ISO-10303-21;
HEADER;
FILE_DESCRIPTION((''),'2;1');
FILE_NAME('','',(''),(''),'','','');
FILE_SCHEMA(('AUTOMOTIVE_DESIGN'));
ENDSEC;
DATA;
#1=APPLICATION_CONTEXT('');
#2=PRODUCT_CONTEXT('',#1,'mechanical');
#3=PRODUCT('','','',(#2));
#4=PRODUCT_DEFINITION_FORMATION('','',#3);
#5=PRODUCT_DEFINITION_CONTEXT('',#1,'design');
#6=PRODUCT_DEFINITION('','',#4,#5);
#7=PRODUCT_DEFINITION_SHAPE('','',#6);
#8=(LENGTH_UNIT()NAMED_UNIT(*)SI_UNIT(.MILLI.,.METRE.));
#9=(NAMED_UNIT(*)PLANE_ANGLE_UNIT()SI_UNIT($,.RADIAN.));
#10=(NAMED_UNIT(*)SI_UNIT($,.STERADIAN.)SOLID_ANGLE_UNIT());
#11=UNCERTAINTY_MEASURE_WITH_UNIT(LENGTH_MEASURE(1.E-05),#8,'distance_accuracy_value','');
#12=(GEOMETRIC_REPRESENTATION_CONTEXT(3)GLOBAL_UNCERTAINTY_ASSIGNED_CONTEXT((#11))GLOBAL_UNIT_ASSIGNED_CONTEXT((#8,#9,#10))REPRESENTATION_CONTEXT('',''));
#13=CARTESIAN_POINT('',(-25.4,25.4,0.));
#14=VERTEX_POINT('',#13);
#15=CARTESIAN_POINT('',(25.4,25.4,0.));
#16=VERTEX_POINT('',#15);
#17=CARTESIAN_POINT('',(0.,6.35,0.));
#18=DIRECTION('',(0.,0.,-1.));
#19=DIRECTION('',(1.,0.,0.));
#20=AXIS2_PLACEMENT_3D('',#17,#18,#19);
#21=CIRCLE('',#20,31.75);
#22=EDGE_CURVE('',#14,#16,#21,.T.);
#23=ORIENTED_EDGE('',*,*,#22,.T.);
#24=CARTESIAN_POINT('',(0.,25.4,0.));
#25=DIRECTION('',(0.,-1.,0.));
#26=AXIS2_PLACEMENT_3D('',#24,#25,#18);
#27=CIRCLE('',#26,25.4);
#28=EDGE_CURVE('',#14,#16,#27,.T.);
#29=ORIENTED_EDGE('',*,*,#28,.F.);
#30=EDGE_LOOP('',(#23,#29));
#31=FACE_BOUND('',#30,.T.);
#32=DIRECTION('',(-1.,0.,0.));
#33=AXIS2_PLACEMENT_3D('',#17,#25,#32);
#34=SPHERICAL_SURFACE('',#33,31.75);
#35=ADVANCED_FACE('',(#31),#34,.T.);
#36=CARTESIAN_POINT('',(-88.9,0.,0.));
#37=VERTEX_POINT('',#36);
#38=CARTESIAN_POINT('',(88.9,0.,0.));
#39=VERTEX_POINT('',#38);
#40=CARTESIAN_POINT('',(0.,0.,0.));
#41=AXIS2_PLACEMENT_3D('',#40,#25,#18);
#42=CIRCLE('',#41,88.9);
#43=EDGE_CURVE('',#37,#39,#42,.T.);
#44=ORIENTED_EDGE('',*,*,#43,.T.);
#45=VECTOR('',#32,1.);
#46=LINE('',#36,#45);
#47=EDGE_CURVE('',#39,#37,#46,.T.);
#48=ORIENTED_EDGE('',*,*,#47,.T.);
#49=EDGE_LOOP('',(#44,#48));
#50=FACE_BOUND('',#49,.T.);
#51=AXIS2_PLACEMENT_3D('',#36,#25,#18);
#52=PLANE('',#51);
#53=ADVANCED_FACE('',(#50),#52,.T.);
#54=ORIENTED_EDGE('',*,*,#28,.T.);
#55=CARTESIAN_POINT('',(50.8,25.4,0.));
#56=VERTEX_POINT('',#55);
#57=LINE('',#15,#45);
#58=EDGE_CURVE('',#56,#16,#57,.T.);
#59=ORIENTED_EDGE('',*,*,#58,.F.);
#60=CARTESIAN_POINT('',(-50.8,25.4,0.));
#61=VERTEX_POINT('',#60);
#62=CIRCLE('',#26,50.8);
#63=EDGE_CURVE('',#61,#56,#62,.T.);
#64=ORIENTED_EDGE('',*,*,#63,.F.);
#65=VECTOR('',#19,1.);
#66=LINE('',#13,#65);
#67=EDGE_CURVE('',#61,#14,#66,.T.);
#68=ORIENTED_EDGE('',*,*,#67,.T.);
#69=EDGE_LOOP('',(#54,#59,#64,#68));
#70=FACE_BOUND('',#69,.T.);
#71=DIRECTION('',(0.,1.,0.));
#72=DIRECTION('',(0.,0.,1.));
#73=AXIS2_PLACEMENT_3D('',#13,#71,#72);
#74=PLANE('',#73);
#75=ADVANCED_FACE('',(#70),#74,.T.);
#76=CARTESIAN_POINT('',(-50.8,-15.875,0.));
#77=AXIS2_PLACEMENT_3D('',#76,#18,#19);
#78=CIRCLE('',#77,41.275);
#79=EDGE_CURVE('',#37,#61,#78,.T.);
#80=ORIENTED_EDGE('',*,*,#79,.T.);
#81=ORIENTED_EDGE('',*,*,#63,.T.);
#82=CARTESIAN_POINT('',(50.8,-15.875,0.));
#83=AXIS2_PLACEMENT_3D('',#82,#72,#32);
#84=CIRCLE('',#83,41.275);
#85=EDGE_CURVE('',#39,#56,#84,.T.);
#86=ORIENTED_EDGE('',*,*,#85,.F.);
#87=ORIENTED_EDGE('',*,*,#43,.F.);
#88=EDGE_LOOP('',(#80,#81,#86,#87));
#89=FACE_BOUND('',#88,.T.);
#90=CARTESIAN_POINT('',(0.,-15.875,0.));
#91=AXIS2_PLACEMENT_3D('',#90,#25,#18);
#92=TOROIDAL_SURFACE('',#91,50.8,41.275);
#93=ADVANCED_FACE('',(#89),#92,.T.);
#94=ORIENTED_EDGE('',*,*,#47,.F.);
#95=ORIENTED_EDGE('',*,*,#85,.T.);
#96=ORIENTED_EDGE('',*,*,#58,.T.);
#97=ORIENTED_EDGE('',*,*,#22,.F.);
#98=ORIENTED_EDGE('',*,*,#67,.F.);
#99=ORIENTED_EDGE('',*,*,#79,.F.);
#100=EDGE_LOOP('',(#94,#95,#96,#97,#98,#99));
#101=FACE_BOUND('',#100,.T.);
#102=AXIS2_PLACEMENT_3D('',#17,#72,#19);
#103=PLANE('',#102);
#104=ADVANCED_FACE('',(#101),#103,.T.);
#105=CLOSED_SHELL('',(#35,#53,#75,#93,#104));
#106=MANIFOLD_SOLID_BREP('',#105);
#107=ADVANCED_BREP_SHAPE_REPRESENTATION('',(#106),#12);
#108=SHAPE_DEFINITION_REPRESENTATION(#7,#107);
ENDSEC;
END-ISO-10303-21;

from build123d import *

# Parameters (mm, degrees)
REVOLVE2_ANGLE = 180


with BuildPart() as part:
    # Sketch2 → Revolve2 (revolve)
    with BuildSketch(Plane.XY):
        with BuildLine():
            Line((0, 0), (0, 38.1))
            ThreePointArc((0, 38.1), (14.199031657, 34.748063314), (25.4, 25.4))
            Line((25.4, 25.4), (50.8, 25.4))
            ThreePointArc((50.8, 25.4), (73.695250599, 18.467875899), (88.9, 0))
            Line((88.9, 0), (0, 0))
        make_face()
    revolve(axis=Axis((0, 0, 0), (0, 1, 0)), revolution_arc=REVOLVE2_ANGLE)


solid = part.part
